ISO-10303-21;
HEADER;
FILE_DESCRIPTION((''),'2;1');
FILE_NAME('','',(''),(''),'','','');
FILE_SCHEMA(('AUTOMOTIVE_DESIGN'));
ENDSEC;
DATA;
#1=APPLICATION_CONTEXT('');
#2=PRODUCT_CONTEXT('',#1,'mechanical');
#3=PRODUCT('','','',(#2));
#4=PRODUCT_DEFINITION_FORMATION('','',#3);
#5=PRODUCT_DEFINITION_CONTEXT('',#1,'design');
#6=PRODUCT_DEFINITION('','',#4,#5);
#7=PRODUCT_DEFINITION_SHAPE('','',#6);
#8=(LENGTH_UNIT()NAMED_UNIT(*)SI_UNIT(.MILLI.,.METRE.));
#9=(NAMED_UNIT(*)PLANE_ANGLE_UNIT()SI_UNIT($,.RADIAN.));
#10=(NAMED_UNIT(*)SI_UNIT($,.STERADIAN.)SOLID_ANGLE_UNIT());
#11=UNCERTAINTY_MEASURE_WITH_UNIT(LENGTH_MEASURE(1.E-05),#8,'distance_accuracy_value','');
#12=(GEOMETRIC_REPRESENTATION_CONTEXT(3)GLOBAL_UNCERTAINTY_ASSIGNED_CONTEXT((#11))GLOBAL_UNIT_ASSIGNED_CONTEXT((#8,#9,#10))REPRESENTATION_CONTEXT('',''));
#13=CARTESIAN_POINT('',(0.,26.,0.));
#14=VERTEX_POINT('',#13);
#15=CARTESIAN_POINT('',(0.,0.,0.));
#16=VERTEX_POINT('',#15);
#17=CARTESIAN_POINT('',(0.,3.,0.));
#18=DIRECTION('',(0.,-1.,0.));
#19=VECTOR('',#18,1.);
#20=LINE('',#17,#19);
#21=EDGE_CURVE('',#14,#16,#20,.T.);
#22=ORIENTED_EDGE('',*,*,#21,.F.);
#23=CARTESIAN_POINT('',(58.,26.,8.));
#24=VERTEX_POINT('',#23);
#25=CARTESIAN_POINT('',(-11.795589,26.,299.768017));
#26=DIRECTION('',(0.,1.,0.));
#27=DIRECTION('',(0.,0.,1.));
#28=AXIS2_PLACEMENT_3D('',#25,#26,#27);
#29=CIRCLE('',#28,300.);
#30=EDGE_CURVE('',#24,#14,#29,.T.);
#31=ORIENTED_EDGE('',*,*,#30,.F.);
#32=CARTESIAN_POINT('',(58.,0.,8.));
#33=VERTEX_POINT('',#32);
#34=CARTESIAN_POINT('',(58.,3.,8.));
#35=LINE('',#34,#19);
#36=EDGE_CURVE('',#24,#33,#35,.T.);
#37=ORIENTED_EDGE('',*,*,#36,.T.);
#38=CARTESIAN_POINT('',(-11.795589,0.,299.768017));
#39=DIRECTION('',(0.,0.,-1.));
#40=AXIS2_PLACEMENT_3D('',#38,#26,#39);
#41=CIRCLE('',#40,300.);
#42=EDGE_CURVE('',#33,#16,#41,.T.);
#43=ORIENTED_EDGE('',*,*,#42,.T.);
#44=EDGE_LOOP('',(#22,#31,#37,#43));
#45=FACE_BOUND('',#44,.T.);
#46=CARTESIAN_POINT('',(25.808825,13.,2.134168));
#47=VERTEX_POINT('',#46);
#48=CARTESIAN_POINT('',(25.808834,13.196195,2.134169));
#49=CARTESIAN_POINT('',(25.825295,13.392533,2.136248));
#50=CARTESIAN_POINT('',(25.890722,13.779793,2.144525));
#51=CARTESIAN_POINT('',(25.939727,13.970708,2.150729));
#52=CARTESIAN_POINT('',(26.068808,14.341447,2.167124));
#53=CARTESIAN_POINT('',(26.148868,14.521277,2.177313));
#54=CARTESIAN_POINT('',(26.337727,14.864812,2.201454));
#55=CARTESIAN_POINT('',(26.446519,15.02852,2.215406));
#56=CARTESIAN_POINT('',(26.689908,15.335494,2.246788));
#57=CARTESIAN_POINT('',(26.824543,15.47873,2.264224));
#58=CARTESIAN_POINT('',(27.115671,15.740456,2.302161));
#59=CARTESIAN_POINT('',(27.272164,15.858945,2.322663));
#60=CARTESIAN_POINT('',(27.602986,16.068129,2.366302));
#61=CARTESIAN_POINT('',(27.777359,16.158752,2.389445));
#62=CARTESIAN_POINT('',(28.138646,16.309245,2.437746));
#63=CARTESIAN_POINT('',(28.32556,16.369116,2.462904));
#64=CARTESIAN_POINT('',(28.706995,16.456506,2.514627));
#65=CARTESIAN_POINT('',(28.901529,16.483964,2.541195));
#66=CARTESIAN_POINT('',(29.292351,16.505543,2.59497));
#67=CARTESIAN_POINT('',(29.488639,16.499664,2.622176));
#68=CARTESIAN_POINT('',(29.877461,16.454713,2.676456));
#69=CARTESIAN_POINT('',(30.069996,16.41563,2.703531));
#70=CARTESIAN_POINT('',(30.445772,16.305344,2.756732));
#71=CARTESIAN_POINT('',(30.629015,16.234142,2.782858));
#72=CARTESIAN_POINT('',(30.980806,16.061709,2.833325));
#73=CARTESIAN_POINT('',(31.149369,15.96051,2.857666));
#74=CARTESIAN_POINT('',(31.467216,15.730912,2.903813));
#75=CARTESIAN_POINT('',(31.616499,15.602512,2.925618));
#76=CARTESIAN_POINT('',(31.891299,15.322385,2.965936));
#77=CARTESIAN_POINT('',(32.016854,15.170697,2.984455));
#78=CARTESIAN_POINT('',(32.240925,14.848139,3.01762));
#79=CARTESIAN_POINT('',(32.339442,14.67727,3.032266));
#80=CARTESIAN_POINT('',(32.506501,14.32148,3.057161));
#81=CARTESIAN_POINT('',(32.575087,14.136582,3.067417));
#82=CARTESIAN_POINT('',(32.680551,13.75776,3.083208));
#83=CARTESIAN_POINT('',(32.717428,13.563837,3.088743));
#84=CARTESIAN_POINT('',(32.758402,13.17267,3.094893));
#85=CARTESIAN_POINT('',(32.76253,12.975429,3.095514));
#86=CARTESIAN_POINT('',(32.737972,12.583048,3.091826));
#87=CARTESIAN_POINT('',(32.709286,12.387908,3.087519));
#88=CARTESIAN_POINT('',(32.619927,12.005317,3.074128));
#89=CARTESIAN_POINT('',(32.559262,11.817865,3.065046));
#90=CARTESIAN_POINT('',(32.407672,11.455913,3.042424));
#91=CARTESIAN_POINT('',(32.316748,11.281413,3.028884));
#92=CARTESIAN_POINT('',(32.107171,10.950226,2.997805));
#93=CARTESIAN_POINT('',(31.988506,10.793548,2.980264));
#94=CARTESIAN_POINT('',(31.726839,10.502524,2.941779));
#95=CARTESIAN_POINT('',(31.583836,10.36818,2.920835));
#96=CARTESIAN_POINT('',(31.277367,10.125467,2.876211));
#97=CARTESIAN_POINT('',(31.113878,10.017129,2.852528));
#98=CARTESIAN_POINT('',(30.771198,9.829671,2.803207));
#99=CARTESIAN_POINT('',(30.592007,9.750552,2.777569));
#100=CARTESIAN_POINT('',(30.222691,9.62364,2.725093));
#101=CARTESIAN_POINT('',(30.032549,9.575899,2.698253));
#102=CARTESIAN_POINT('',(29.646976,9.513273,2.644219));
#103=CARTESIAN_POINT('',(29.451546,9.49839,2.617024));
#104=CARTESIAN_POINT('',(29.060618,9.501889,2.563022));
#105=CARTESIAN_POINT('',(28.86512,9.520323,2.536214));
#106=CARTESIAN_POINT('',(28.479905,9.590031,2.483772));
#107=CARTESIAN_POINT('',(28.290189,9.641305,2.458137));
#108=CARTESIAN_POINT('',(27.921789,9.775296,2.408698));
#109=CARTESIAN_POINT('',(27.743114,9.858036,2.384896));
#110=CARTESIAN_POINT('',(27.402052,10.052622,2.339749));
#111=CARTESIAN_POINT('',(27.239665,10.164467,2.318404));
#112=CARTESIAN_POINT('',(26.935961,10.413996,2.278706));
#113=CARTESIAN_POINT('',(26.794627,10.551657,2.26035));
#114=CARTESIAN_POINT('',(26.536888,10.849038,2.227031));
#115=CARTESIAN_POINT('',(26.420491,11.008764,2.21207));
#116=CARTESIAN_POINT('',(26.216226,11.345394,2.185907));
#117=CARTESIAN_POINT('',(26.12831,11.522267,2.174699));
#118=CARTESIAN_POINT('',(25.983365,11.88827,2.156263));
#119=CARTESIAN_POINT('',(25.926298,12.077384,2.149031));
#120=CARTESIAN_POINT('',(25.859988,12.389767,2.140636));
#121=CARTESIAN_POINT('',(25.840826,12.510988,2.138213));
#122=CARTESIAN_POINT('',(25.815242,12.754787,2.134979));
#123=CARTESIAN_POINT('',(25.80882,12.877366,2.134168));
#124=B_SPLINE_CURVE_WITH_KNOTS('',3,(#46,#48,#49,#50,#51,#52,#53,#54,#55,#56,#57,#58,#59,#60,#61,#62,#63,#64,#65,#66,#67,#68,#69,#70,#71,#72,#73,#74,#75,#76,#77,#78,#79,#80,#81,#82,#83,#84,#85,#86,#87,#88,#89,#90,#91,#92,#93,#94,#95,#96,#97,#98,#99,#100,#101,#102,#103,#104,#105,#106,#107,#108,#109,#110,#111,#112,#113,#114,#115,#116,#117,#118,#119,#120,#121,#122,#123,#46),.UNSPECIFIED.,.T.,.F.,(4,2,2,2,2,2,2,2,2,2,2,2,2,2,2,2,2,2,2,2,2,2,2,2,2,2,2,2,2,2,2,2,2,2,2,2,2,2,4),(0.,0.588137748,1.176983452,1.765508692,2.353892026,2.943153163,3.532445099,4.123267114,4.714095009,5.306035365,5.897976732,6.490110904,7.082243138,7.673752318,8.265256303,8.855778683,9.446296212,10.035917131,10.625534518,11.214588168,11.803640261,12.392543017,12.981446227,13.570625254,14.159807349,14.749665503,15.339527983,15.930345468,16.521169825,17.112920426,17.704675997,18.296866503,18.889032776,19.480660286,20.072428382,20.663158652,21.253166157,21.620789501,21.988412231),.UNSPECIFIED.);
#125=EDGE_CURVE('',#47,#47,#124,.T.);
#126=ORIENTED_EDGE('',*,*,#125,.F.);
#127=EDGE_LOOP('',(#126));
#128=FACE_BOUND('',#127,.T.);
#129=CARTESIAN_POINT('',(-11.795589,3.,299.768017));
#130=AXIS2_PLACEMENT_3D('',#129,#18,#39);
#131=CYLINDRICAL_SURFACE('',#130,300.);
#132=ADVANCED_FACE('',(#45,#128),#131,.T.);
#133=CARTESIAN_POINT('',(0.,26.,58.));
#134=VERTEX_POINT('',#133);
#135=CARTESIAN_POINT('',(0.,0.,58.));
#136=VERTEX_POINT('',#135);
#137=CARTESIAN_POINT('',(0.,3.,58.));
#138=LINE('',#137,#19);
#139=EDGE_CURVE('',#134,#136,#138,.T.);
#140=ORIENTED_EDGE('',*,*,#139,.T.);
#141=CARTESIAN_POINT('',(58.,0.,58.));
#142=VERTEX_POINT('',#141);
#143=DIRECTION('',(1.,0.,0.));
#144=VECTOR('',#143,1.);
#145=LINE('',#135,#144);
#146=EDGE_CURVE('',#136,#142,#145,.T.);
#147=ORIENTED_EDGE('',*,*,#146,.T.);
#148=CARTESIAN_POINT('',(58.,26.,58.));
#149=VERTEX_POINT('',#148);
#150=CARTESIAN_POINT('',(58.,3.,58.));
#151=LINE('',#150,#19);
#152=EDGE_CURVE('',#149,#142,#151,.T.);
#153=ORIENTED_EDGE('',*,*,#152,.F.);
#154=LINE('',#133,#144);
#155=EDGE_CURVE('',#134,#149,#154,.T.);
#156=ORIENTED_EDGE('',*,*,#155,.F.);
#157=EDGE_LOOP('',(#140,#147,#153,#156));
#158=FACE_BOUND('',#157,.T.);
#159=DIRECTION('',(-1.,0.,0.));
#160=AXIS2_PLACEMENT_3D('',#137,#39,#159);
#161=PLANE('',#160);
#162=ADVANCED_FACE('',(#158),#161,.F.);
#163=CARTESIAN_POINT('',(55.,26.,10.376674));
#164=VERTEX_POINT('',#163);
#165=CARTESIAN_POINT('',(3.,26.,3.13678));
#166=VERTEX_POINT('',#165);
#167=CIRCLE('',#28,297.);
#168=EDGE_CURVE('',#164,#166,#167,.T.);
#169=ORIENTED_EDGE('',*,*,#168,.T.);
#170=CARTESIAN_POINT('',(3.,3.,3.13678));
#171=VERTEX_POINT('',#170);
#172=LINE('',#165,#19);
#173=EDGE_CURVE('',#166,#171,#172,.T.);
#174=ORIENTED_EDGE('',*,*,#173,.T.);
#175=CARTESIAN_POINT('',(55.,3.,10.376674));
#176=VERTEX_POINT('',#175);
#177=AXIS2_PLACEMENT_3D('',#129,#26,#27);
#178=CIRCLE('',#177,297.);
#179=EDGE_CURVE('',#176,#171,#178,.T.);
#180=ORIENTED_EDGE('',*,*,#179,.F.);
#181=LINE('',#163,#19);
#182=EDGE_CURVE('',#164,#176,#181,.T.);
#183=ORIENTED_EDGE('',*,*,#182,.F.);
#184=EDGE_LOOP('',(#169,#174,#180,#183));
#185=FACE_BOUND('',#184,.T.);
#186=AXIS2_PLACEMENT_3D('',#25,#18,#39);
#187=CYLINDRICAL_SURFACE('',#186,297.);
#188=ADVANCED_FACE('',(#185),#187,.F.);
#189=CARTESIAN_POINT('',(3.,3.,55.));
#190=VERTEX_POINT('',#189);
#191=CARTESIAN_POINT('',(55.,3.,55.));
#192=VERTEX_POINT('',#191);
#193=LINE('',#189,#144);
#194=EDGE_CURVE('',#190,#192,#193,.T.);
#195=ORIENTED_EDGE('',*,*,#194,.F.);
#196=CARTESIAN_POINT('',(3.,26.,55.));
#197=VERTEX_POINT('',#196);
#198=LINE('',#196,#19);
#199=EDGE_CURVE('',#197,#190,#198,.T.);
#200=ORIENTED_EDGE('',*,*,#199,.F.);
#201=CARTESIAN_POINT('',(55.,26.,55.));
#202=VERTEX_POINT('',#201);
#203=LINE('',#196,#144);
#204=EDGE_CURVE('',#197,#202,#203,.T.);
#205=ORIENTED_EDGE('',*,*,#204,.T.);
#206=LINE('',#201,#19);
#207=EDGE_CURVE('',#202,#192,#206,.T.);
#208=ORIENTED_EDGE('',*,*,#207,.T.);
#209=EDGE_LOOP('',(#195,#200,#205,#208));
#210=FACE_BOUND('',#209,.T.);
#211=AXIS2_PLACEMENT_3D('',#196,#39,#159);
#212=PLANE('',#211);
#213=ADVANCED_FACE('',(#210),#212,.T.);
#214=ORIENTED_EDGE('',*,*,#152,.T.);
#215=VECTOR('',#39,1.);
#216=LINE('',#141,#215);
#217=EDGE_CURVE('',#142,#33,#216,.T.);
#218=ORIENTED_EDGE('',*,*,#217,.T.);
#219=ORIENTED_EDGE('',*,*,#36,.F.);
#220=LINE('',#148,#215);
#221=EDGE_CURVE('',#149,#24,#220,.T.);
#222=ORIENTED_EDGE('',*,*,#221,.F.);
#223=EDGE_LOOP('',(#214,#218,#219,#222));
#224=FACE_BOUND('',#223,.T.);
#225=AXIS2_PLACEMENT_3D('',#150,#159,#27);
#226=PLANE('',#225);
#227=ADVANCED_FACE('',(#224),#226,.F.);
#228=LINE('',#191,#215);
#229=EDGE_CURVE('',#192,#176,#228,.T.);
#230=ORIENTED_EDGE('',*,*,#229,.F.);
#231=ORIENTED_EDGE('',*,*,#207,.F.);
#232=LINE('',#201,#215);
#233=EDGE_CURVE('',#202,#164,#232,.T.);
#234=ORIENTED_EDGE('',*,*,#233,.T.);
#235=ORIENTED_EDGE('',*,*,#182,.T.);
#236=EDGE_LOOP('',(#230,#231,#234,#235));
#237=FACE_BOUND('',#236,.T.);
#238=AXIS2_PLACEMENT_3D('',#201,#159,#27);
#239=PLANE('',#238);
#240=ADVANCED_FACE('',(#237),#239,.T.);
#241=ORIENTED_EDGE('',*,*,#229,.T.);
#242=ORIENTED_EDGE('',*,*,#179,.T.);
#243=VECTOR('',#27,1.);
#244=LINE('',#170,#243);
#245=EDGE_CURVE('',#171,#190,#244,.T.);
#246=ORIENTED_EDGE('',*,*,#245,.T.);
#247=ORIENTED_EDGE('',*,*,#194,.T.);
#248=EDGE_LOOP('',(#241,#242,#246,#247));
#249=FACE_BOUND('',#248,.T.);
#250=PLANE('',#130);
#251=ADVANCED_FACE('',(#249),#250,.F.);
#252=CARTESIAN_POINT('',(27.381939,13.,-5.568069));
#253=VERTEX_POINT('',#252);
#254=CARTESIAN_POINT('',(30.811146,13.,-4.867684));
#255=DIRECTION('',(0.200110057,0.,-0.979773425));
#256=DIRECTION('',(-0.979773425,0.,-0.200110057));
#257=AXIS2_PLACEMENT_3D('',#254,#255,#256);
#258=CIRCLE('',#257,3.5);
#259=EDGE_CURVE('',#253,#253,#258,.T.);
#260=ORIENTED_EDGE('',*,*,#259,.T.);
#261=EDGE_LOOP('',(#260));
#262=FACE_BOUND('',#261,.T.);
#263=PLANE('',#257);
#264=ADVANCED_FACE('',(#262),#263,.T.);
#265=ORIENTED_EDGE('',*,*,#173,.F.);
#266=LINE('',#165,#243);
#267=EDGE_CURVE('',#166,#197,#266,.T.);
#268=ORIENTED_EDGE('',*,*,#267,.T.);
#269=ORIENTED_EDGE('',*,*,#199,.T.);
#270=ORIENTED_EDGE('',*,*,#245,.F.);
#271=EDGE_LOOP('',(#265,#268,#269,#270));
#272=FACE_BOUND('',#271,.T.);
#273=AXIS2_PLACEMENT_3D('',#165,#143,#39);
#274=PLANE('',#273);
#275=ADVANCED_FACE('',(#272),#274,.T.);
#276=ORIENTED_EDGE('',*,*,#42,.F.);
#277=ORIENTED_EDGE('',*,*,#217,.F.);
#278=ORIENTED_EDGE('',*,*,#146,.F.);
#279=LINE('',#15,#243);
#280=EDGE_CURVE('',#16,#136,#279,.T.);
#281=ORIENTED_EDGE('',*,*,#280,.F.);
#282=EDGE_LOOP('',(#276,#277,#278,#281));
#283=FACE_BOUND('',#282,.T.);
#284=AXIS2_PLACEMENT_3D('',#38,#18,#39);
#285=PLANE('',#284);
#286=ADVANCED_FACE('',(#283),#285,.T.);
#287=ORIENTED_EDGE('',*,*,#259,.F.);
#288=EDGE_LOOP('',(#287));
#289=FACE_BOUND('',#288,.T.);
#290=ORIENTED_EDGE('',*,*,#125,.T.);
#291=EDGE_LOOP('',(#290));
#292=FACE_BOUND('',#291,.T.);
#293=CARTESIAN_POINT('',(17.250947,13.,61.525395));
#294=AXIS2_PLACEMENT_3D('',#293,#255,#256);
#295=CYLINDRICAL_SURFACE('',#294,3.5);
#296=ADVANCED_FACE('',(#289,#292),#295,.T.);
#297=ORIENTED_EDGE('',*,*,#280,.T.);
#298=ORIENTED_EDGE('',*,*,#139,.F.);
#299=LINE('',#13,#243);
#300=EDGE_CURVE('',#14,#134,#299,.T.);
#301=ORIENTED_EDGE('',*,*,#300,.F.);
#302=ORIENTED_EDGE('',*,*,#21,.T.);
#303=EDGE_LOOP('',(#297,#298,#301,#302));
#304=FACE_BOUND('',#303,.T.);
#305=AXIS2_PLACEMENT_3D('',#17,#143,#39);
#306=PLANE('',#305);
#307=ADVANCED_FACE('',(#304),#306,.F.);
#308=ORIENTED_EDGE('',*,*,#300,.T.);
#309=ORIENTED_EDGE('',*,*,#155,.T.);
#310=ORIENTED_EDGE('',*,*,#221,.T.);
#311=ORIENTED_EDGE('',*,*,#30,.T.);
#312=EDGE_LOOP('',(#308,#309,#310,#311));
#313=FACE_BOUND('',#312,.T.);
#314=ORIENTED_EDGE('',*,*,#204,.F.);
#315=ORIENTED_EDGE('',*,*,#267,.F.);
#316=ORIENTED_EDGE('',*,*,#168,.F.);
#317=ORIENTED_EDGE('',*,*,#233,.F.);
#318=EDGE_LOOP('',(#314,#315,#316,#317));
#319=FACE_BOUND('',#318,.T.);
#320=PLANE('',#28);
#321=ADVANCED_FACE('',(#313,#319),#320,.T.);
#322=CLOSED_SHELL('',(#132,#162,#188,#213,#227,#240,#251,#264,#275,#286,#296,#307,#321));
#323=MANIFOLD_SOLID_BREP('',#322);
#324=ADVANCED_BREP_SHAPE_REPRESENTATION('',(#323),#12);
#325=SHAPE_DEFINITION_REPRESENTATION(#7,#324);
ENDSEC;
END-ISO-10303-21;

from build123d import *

# Parameters (mm, degrees)
BOSS_EXTRUDE2_DEPTH             = 3
BOSS_EXTRUDE3_DEPTH             = 23
SKETCH11_R                      = 3.5
BOSS_EXTRUDE5_DEPTH             = 7
BOSS_EXTRUDE5_DIRECTION_2_REACH = 74.228


with BuildPart() as part:
    # Sketch1 → Boss-Extrude2 (new body)
    with BuildSketch(Plane(origin=(0, 0, 0), x_dir=(1, 0, 0), z_dir=(0, 1, 0))):
        with BuildLine():
            Line((0, 0), (0, -58))
            Line((0, -58), (58, -58))
            Line((58, -58), (58, -8))
            ThreePointArc((58, -8), (29.195630572, -2.581678351), (0, 0))
        make_face()
    extrude(amount=BOSS_EXTRUDE2_DEPTH)

    # Sketch3 → Boss-Extrude3 (add)
    with BuildSketch(Plane(origin=(0, 3, 0), x_dir=(1, 0, 0), z_dir=(0, 1, 0))):
        with BuildLine():
            Line((58, -58), (58, -8))
            ThreePointArc((58, -8), (29.195630572, -2.581678351), (0, 0))
            Line((0, 0), (0, -58))
            Line((0, -58), (58, -58))
        make_face()
        with BuildLine():
            Line((3, -3.13678047), (3, -55))
            Line((3, -55), (55, -55))
            Line((55, -55), (55, -10.37667422))
            ThreePointArc((55, -10.37667422), (29.160290888, -5.60544993), (3, -3.13678047))
        make_face(mode=Mode.SUBTRACT)
    extrude(amount=BOSS_EXTRUDE3_DEPTH)

    # Sketch11 → Boss-Extrude5 (add)
    with BuildSketch(Plane(origin=(48.237428629, 13, 5.835989529), x_dir=(-0.9797734253164554, 0, -0.20011005732761197), z_dir=(0.20011005732761197, 0, -0.9797734253164554))):
        with Locations((19.215721312, 0)):
            Circle(SKETCH11_R)
    extrude(amount=BOSS_EXTRUDE5_DEPTH)

    # Sketch11 → Boss-Extrude5 direction 2 (add, up to next)
    with BuildSketch(Plane(origin=(48.237428629, 13, 5.835989529), x_dir=(-0.9797734253164554, 0, -0.20011005732761197), z_dir=(0.20011005732761197, 0, -0.9797734253164554)), mode=Mode.PRIVATE) as boss_extrude5_direction_2_sk1:
        with Locations((19.215721312, 0)):
            Circle(SKETCH11_R)
    boss_extrude5_direction_2_tool1 = extrude(boss_extrude5_direction_2_sk1.sketch, amount=-BOSS_EXTRUDE5_DIRECTION_2_REACH, mode=Mode.PRIVATE) - part.part
    add(boss_extrude5_direction_2_tool1.solids().sort_by_distance((29.410376, 13, 1.99073))[0])


solid = part.part
